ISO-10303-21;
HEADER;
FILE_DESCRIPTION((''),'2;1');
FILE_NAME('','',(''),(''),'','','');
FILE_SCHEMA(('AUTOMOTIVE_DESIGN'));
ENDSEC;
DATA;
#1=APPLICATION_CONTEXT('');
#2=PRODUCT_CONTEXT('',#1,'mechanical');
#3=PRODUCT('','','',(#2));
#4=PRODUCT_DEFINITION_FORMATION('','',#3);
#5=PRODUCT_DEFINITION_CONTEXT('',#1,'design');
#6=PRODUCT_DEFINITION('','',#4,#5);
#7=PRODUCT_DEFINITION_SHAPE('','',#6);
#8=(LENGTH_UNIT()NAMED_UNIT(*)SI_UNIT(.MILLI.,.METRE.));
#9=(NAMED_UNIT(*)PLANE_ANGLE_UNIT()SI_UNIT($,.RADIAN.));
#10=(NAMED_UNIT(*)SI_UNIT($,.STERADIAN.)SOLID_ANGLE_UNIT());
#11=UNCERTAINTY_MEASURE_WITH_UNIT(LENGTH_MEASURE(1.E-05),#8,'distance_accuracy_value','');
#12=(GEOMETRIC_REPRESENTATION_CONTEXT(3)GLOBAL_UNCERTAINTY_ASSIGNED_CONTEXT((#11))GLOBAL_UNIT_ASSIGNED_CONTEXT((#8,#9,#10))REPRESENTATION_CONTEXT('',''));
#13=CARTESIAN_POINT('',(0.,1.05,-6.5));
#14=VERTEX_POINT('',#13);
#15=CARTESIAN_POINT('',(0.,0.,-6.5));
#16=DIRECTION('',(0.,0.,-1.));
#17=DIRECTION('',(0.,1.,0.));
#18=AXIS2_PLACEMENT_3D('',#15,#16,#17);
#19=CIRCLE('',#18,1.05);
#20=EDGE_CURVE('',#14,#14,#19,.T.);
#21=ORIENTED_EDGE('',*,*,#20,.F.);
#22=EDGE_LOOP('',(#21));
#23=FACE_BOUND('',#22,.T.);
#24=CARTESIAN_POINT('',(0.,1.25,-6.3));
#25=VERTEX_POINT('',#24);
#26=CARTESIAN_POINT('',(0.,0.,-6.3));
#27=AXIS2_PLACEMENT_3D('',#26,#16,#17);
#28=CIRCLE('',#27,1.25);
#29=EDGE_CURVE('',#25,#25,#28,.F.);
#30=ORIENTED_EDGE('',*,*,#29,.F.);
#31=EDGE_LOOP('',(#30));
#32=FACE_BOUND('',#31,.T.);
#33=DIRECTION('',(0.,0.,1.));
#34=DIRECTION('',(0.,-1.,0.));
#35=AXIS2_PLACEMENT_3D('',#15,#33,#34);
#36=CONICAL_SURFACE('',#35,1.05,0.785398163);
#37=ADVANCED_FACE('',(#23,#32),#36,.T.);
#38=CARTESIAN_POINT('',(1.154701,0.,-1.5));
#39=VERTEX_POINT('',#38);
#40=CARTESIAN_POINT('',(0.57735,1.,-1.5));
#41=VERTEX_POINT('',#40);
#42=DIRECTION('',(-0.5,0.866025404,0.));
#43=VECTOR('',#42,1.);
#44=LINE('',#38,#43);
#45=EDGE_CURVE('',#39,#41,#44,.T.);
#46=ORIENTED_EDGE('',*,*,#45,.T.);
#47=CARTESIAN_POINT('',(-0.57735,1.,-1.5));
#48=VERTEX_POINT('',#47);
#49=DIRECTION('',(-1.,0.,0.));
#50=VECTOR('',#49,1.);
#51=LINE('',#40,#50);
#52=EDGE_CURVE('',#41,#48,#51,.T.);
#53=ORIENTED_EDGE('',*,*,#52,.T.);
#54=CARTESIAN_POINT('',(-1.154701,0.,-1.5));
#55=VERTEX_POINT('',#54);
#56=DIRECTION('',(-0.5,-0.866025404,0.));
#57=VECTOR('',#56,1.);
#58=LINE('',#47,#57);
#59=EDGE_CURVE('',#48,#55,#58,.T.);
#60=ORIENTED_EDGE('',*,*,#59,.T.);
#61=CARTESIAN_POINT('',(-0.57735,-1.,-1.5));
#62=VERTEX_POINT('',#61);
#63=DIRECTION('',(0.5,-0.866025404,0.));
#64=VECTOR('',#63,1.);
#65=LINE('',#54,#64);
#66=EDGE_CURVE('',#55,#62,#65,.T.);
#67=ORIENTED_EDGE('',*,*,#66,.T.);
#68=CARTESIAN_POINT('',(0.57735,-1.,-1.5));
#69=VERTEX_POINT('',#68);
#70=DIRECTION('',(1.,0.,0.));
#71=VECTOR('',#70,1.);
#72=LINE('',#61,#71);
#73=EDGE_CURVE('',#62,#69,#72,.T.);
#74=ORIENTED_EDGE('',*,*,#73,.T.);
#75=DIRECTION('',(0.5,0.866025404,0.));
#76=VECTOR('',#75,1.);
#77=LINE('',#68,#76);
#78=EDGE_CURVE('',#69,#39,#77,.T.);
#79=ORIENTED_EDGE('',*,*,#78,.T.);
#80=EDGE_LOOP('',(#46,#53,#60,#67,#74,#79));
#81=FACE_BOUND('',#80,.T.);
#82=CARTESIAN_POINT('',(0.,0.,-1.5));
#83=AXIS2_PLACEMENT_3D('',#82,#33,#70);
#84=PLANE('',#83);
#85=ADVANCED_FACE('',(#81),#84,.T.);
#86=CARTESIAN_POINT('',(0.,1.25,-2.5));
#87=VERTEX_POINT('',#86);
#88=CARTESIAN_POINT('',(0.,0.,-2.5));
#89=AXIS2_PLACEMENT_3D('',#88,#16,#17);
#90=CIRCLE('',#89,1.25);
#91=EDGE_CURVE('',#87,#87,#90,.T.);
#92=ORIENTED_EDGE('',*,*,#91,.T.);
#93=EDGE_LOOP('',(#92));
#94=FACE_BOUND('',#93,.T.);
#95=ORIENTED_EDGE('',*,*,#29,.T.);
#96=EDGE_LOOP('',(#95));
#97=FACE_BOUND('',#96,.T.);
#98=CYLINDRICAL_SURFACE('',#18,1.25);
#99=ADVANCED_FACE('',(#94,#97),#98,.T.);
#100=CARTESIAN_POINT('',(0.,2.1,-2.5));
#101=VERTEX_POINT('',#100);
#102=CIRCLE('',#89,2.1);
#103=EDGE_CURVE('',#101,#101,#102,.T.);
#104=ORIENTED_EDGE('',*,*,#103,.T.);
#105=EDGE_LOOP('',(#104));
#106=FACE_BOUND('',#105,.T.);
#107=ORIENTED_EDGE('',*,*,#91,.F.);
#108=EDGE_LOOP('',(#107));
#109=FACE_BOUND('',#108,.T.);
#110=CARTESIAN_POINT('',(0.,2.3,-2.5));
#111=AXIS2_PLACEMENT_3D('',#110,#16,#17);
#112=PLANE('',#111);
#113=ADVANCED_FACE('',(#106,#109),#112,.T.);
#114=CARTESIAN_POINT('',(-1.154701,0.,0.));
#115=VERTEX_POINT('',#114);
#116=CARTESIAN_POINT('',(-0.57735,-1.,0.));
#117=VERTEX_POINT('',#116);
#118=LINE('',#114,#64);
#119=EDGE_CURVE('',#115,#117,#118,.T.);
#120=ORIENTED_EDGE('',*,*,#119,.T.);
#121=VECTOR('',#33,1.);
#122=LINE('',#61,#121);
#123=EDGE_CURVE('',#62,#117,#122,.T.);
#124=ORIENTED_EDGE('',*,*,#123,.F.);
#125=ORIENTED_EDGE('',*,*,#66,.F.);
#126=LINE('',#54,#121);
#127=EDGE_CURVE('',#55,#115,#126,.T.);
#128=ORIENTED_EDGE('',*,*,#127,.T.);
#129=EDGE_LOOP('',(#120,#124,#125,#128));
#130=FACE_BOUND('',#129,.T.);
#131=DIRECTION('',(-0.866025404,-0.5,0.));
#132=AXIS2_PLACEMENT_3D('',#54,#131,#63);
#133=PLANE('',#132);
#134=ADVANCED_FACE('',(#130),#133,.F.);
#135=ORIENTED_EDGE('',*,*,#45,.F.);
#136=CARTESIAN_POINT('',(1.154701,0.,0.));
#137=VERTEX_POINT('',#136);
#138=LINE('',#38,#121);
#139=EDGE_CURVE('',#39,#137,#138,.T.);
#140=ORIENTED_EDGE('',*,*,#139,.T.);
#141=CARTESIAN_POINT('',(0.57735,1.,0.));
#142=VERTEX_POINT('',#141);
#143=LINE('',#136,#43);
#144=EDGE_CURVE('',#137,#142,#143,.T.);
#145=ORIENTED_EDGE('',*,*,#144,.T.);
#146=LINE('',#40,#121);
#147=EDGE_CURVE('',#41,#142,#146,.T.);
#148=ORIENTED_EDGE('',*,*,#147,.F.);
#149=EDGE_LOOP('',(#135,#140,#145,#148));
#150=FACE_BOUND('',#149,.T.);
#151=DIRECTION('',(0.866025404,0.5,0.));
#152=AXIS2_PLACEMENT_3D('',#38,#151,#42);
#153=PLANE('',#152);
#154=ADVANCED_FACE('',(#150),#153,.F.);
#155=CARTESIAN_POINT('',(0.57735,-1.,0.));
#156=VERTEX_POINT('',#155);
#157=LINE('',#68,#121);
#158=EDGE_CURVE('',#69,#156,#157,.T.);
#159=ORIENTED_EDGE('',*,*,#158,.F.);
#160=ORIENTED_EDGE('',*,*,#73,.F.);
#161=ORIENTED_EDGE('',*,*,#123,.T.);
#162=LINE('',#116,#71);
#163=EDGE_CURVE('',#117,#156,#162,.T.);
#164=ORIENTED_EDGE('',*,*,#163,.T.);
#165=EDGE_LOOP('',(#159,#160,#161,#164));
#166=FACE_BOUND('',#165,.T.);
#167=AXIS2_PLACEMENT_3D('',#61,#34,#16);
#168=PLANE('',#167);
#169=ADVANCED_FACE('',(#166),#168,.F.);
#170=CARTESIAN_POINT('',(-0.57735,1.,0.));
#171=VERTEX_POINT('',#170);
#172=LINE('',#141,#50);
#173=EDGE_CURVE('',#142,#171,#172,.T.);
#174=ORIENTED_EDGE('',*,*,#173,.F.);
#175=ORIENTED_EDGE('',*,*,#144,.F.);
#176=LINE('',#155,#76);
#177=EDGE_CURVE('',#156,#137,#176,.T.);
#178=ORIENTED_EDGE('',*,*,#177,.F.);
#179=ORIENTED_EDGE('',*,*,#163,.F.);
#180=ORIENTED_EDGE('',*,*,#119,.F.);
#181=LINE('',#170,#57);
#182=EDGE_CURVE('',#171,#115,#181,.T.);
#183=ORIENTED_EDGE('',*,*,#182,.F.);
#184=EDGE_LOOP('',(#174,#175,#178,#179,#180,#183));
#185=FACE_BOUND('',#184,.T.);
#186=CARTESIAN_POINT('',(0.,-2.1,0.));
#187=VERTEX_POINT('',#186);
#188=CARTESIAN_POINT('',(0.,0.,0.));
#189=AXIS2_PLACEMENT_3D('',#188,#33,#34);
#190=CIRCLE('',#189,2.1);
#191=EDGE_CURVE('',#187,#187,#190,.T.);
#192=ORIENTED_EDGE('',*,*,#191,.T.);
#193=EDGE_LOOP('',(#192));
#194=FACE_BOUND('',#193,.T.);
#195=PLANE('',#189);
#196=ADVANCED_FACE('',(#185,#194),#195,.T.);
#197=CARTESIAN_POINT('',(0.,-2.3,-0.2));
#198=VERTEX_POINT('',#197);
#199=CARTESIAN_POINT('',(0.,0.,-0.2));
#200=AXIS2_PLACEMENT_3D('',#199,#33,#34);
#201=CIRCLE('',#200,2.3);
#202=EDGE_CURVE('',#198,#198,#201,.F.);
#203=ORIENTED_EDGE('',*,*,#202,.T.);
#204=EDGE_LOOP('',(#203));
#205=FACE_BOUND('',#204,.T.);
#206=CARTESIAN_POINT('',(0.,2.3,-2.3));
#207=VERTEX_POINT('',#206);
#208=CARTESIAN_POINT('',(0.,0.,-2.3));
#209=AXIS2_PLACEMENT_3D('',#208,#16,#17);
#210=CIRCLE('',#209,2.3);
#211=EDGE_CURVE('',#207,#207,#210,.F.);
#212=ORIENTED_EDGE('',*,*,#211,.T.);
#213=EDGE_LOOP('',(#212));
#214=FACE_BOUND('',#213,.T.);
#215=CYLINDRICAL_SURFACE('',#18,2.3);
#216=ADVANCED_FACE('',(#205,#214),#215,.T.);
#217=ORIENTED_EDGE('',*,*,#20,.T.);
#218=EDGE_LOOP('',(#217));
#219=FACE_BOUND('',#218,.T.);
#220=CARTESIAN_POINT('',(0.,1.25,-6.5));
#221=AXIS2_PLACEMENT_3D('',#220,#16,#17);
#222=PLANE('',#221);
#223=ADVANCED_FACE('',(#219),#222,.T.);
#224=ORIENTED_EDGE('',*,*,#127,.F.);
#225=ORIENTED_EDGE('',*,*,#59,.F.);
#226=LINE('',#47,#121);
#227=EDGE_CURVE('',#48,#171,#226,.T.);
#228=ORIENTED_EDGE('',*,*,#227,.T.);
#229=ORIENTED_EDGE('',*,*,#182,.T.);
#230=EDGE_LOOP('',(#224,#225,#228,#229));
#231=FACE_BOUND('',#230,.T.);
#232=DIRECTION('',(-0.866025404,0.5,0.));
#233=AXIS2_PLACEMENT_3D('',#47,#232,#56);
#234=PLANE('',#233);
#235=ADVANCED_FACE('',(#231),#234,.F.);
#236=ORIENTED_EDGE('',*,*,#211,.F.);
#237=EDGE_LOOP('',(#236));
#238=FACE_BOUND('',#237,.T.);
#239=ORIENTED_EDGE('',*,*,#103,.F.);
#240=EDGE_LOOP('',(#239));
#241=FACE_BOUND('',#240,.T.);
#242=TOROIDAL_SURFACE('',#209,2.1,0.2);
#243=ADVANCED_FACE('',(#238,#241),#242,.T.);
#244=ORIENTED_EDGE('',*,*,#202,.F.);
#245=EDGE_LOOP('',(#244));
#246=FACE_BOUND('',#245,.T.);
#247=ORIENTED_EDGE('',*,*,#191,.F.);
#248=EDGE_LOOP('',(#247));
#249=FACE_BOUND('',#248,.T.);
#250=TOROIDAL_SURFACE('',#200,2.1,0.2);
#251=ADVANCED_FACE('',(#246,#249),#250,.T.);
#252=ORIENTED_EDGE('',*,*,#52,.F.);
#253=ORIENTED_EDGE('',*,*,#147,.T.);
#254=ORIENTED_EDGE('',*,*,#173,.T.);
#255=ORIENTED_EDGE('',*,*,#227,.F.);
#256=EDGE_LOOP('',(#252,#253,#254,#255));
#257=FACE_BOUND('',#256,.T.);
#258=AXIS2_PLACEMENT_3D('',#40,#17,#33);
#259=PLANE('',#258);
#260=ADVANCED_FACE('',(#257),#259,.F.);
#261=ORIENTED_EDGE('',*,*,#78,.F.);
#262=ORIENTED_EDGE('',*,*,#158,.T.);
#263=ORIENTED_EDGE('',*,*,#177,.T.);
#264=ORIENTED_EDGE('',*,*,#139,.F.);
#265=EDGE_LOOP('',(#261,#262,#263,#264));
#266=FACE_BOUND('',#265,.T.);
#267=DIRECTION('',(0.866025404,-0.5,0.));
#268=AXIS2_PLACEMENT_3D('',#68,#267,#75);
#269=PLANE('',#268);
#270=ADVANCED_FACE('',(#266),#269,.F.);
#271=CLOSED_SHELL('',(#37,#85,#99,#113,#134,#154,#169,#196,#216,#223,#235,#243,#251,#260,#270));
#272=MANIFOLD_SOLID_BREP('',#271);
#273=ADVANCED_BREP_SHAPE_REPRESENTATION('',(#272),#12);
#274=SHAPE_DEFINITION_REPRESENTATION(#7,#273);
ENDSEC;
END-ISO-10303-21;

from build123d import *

# Parameters (mm, degrees)
FILLET_1_R          = 0.2
CHAMFER_1_SIZE      = 0.2
CUT_EXTRUDE_1_DEPTH = 1.5


with BuildPart() as part:
    # 草图2 → 旋转1 (revolve)
    with BuildSketch(Plane(origin=(0, 0, 0), x_dir=(0, 0, -1), z_dir=(1, 0, 0))):
        Polygon((0, 0), (0, 2.3), (2.5, 2.3), (2.5, 1.25), (6.5, 1.25), (6.5, 0), align=None)
    revolve(axis=Axis((0, 0, -6.5), (0, 0, 1)))

    # 圆角1
    fillet_1_edges = [part.edges().sort_by_distance(p)[0] for p in [
        (0, -2.3, -2.5),
        (0, -2.3, 0),
    ]]
    fillet(fillet_1_edges, radius=FILLET_1_R)

    # 倒角1
    chamfer_1_edges = [part.edges().sort_by_distance(p)[0] for p in [
        (0, -1.25, -6.5),
    ]]
    chamfer(chamfer_1_edges, length=CHAMFER_1_SIZE)

    # 草图3 → 切除-拉伸1 (cut)
    with BuildSketch(Plane.XY):
        Polygon((1.154700538, 0), (0.577350269, 1), (-0.577350269, 1), (-1.154700538, 0), (-0.577350269, -1), (0.577350269, -1), align=None)
    extrude(amount=-CUT_EXTRUDE_1_DEPTH, mode=Mode.SUBTRACT)


solid = part.part
